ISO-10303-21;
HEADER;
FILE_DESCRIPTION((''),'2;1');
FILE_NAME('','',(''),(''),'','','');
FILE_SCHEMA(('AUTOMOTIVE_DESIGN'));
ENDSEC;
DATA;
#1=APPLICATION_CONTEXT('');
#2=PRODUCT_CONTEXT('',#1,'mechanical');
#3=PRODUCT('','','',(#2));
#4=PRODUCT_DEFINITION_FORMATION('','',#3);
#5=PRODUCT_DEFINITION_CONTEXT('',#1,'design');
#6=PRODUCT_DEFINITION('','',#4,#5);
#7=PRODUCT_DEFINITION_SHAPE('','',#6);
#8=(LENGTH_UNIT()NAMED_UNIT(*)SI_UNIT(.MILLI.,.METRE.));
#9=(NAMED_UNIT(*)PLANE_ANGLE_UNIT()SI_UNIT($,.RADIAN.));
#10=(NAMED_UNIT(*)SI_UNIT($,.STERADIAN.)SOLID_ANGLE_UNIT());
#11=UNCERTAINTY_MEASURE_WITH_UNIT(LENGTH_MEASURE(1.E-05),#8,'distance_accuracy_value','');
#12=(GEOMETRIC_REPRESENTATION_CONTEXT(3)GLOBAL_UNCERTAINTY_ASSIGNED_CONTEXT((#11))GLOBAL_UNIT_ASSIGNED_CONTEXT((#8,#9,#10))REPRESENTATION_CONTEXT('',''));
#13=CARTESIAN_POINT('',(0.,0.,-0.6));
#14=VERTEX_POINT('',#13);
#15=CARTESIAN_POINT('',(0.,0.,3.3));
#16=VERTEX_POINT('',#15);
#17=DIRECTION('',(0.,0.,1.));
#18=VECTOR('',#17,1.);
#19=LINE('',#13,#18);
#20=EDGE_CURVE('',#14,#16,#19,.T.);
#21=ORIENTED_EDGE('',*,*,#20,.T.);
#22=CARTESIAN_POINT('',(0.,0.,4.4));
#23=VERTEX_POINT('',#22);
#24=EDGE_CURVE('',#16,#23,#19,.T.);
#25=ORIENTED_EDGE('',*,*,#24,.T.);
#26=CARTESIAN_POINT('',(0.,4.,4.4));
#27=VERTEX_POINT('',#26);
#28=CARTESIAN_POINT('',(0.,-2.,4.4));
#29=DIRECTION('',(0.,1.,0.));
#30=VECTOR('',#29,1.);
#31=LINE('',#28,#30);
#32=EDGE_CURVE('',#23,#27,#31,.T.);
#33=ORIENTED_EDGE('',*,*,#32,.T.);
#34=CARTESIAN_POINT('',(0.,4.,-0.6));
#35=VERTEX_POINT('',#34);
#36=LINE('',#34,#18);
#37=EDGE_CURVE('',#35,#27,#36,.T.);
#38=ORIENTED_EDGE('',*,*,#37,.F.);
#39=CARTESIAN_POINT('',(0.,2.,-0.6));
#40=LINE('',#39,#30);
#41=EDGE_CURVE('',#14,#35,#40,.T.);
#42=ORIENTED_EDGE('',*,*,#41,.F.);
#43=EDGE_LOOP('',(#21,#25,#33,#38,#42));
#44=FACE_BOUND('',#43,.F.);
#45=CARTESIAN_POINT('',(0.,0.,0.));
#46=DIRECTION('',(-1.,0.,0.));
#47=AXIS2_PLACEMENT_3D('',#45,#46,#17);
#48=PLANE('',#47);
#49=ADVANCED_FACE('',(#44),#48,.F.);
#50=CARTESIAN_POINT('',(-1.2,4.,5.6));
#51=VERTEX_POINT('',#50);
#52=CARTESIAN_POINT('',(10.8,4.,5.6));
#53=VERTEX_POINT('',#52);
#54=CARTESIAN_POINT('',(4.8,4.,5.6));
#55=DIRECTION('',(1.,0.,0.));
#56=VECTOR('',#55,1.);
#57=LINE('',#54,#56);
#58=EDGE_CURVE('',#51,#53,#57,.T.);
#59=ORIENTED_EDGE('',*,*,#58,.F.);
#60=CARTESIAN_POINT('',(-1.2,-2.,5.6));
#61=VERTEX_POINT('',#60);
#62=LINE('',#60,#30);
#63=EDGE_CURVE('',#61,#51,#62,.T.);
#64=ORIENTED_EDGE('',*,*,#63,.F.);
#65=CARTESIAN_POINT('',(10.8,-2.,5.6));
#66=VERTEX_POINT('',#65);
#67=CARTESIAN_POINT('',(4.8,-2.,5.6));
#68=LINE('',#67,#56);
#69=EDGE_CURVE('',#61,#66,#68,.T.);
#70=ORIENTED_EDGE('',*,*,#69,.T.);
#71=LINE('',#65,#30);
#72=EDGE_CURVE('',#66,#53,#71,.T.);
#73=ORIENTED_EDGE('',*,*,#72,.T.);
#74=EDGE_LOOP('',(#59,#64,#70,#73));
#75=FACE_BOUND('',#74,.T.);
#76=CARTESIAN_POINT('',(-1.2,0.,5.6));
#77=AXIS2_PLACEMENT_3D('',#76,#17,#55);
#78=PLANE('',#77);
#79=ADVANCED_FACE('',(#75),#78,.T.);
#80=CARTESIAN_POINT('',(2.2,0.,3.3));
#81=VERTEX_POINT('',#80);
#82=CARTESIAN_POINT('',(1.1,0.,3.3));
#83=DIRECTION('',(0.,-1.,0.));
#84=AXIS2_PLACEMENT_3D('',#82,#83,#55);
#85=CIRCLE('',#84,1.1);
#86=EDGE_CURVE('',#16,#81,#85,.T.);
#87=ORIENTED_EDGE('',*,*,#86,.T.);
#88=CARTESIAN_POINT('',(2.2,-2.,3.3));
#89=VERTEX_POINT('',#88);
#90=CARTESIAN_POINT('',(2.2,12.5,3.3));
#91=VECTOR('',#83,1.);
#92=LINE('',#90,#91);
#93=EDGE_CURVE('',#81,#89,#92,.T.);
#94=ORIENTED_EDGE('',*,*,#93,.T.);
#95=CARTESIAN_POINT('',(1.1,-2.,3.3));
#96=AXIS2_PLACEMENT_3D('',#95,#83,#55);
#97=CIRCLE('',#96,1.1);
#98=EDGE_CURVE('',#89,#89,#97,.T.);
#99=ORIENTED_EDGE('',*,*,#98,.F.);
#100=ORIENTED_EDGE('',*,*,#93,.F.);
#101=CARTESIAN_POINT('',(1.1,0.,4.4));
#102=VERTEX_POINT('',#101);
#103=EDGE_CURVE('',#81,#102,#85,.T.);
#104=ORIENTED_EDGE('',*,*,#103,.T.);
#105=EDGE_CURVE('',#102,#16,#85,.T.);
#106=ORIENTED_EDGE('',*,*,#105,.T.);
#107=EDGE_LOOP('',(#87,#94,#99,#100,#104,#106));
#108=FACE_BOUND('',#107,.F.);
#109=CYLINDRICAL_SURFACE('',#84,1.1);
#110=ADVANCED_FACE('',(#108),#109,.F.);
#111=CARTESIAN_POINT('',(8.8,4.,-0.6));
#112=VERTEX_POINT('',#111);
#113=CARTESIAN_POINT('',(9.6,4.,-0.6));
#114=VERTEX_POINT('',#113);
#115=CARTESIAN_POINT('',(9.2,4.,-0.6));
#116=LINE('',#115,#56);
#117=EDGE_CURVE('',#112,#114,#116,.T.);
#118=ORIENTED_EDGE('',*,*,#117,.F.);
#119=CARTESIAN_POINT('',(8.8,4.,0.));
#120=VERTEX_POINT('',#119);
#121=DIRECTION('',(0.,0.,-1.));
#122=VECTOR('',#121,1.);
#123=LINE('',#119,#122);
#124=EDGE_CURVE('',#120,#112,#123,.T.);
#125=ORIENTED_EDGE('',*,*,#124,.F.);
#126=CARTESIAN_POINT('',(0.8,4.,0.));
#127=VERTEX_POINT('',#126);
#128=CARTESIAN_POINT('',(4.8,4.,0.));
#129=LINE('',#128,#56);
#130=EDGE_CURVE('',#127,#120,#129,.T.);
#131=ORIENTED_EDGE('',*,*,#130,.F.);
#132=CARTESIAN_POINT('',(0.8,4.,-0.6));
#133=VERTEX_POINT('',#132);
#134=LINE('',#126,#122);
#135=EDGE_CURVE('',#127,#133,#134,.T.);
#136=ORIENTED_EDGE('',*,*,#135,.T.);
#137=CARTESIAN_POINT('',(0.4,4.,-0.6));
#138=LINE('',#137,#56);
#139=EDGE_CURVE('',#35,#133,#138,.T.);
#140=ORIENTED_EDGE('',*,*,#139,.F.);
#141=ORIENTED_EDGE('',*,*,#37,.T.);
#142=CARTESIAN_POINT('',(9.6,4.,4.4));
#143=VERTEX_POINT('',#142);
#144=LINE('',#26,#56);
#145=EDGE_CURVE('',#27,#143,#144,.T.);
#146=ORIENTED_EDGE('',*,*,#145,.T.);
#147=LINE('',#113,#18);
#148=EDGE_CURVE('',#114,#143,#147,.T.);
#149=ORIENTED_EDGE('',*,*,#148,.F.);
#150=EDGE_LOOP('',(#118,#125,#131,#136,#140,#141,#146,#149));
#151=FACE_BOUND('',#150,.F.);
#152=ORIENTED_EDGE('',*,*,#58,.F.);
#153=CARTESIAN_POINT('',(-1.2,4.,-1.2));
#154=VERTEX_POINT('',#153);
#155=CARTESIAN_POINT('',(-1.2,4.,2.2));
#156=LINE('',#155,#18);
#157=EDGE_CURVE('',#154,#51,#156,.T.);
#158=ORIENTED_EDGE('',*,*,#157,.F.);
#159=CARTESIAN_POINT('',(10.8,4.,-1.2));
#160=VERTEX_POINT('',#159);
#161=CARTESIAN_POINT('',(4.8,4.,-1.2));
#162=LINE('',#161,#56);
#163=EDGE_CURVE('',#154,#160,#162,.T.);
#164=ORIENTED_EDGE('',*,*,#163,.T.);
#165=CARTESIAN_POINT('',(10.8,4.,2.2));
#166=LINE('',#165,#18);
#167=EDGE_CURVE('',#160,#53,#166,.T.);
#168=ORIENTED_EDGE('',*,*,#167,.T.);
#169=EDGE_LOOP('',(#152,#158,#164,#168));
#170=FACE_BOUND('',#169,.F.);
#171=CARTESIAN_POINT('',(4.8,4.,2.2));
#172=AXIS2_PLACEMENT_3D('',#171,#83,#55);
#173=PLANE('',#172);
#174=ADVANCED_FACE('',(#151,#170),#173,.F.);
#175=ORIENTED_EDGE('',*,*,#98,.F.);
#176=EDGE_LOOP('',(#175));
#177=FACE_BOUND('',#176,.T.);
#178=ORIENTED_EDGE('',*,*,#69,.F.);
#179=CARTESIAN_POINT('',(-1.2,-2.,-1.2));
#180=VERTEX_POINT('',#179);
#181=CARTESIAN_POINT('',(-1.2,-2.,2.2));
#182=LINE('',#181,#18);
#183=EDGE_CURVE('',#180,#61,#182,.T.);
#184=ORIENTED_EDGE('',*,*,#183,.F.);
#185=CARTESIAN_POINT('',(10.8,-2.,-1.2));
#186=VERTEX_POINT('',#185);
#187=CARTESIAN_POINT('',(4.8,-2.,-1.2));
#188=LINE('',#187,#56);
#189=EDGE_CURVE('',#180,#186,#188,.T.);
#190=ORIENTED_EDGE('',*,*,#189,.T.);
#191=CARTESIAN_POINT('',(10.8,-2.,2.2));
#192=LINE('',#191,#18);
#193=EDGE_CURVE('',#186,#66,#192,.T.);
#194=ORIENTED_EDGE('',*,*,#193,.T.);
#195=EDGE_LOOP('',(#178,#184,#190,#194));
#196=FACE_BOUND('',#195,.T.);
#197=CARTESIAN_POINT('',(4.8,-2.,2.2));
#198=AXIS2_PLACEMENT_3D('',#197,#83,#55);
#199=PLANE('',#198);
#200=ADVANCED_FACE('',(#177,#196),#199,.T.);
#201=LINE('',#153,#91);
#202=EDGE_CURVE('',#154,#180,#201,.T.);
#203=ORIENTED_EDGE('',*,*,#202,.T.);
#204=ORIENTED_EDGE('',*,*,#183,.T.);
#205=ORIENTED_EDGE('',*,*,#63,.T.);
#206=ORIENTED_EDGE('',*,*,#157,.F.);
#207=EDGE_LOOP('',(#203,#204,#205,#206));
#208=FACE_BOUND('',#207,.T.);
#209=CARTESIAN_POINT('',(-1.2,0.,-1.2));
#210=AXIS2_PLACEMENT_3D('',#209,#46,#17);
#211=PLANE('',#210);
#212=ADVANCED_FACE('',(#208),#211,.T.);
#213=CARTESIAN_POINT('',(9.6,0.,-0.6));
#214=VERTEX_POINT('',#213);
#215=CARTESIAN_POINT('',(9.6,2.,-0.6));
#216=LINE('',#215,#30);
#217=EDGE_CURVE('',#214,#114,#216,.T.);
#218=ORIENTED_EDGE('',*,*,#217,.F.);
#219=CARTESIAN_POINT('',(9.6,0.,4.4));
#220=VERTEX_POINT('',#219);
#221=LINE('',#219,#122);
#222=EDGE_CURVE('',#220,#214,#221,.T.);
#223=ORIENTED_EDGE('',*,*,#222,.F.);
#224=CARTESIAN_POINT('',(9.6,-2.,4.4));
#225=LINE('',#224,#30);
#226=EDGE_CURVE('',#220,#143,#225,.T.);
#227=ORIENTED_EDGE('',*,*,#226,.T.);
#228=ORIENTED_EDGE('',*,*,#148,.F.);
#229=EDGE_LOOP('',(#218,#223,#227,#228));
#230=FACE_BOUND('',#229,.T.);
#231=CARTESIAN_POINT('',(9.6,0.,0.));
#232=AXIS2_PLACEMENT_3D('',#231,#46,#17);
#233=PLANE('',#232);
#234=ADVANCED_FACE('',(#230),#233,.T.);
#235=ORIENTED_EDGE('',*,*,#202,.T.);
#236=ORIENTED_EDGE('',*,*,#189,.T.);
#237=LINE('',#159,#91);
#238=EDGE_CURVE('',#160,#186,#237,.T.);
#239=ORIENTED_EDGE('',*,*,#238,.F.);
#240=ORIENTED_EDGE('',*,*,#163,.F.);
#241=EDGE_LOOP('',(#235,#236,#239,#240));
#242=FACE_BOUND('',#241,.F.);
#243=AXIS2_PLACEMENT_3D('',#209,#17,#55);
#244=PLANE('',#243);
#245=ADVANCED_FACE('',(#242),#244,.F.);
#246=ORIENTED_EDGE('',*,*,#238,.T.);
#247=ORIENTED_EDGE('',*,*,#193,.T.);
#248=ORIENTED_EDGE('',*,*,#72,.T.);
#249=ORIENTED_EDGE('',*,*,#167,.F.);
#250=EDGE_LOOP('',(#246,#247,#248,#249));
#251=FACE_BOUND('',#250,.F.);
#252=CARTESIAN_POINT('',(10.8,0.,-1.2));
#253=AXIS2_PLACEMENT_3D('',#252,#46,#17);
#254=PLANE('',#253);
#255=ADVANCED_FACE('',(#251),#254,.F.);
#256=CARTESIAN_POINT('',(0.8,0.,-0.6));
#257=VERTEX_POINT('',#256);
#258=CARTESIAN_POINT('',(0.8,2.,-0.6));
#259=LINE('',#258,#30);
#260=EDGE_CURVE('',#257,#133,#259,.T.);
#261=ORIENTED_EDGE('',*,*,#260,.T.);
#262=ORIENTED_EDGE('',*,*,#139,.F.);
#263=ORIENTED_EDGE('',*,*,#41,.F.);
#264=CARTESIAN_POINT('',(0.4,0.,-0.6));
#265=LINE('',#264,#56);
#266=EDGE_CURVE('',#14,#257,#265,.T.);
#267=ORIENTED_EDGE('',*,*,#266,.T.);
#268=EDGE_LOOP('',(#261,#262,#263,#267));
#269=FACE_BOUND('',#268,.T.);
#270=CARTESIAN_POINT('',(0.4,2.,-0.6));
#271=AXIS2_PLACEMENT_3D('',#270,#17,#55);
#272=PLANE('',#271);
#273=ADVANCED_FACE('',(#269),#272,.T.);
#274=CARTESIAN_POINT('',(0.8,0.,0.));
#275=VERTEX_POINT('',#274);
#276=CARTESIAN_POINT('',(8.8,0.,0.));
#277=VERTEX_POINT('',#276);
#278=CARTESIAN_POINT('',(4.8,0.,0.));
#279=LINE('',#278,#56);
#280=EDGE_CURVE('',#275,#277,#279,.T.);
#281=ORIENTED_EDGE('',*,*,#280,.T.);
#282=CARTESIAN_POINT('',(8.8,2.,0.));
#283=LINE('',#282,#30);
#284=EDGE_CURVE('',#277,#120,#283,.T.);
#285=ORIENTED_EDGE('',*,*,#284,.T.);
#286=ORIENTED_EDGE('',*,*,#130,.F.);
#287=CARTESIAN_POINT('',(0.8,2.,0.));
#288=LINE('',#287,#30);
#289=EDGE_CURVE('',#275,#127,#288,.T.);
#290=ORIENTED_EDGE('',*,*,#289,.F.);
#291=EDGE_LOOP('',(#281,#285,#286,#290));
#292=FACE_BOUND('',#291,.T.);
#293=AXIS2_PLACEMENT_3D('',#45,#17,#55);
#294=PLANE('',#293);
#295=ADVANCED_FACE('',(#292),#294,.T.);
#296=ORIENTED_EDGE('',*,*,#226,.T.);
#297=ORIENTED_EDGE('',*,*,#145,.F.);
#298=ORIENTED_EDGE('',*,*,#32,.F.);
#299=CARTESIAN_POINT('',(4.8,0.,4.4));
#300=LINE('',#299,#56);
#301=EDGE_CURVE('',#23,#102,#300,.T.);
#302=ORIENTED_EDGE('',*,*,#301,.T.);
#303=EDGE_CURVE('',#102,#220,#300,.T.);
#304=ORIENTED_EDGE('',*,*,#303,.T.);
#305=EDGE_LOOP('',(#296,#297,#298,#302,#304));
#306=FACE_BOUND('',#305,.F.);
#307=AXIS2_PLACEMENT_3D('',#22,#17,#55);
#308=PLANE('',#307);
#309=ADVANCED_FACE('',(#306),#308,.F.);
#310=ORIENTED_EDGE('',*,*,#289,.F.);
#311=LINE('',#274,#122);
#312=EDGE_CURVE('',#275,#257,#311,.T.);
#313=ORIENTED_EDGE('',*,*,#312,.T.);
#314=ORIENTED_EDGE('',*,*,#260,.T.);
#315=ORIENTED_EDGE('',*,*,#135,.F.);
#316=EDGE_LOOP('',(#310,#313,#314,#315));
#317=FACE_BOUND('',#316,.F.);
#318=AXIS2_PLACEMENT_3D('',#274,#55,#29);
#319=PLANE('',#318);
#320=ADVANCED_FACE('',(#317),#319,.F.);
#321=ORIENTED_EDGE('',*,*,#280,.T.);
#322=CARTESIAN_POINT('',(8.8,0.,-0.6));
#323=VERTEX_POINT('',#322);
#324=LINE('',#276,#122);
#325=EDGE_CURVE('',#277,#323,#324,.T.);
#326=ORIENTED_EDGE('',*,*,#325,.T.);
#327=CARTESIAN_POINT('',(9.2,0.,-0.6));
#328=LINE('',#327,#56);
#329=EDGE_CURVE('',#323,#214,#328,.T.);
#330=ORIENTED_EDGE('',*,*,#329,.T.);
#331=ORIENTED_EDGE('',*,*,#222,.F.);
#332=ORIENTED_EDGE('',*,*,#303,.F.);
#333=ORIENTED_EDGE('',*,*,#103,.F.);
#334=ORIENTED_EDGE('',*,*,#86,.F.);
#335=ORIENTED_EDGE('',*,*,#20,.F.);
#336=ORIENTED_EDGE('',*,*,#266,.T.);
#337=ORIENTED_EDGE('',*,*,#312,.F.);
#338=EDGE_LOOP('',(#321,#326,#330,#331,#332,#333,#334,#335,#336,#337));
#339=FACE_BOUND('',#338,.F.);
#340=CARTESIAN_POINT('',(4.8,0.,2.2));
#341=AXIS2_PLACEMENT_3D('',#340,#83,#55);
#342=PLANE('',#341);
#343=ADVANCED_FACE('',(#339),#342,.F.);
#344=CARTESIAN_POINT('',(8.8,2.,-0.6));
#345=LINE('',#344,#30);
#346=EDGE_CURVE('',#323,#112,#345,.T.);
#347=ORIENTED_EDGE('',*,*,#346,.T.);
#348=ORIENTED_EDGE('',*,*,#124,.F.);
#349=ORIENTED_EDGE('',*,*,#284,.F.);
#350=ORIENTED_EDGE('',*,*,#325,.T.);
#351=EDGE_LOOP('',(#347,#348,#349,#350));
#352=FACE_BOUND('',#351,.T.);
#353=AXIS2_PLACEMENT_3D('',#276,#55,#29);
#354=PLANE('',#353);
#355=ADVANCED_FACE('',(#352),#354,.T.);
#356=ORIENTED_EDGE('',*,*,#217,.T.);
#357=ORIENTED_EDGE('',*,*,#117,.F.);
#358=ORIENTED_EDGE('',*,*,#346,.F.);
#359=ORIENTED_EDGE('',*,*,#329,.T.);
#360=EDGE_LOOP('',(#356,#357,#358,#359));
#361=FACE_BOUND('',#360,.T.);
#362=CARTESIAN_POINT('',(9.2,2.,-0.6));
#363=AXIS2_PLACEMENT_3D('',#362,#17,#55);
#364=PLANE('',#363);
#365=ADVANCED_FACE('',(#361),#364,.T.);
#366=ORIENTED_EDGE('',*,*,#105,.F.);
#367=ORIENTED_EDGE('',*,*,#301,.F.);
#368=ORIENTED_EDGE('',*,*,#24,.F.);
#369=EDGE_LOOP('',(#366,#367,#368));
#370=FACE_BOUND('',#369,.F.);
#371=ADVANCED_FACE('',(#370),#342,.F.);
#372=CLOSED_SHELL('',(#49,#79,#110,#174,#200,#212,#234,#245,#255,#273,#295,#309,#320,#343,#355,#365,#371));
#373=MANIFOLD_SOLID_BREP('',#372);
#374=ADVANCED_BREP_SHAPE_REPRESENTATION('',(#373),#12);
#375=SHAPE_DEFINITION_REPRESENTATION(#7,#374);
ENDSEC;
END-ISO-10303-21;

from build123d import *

# Parameters (mm, degrees)
F0_W          = 12
F0_H          = 6.8
F0_W_2        = 9.6
F0_H_2        = 4.4
F1_DEPTH      = 4
F1_DEPTH_BACK = 2
F3_W          = 0.8
F3_H          = 4
F2_W          = 0.8
F2_H          = 4
F4_DEPTH      = 0.6
F5_W          = 9.6
F5_H          = 4.4
F6_DEPTH      = 2
F7_R          = 1.1
F8_DEPTH      = 12.5


with BuildPart() as f1:
    # F0 (on Front) → F1 (new body, two sides)
    with BuildSketch(Plane.XZ) as f1_sk:
        with Locations((4.8, 2.2)):
            Rectangle(F0_W, F0_H)
        with Locations((4.8, 2.2)):
            Rectangle(F0_W_2, F0_H_2, mode=Mode.SUBTRACT)
    extrude(amount=-F1_DEPTH)
    extrude(f1_sk.sketch, amount=F1_DEPTH_BACK)

    # F3 (on face) + F2 (on face) → F4 (cut)
    with BuildSketch(Plane.XY):
        with Locations((0.4, 2)):
            Rectangle(F3_W, F3_H)
    with BuildSketch(Plane.XY):
        with Locations((9.2, 2)):
            Rectangle(F2_W, F2_H)
    extrude(amount=-F4_DEPTH, mode=Mode.SUBTRACT)

    # F5 (on Front) → F6 (join)
    with BuildSketch(Plane.XZ):
        with Locations((4.8, 2.2)):
            Rectangle(F5_W, F5_H)
    extrude(amount=F6_DEPTH)

    # F7 (on Front) → F8 (cut, symmetric)
    with BuildSketch(Plane.XZ):
        with Locations((1.1, 3.3)):
            Circle(F7_R)
    extrude(amount=F8_DEPTH, both=True, mode=Mode.SUBTRACT)


solid = f1.part
